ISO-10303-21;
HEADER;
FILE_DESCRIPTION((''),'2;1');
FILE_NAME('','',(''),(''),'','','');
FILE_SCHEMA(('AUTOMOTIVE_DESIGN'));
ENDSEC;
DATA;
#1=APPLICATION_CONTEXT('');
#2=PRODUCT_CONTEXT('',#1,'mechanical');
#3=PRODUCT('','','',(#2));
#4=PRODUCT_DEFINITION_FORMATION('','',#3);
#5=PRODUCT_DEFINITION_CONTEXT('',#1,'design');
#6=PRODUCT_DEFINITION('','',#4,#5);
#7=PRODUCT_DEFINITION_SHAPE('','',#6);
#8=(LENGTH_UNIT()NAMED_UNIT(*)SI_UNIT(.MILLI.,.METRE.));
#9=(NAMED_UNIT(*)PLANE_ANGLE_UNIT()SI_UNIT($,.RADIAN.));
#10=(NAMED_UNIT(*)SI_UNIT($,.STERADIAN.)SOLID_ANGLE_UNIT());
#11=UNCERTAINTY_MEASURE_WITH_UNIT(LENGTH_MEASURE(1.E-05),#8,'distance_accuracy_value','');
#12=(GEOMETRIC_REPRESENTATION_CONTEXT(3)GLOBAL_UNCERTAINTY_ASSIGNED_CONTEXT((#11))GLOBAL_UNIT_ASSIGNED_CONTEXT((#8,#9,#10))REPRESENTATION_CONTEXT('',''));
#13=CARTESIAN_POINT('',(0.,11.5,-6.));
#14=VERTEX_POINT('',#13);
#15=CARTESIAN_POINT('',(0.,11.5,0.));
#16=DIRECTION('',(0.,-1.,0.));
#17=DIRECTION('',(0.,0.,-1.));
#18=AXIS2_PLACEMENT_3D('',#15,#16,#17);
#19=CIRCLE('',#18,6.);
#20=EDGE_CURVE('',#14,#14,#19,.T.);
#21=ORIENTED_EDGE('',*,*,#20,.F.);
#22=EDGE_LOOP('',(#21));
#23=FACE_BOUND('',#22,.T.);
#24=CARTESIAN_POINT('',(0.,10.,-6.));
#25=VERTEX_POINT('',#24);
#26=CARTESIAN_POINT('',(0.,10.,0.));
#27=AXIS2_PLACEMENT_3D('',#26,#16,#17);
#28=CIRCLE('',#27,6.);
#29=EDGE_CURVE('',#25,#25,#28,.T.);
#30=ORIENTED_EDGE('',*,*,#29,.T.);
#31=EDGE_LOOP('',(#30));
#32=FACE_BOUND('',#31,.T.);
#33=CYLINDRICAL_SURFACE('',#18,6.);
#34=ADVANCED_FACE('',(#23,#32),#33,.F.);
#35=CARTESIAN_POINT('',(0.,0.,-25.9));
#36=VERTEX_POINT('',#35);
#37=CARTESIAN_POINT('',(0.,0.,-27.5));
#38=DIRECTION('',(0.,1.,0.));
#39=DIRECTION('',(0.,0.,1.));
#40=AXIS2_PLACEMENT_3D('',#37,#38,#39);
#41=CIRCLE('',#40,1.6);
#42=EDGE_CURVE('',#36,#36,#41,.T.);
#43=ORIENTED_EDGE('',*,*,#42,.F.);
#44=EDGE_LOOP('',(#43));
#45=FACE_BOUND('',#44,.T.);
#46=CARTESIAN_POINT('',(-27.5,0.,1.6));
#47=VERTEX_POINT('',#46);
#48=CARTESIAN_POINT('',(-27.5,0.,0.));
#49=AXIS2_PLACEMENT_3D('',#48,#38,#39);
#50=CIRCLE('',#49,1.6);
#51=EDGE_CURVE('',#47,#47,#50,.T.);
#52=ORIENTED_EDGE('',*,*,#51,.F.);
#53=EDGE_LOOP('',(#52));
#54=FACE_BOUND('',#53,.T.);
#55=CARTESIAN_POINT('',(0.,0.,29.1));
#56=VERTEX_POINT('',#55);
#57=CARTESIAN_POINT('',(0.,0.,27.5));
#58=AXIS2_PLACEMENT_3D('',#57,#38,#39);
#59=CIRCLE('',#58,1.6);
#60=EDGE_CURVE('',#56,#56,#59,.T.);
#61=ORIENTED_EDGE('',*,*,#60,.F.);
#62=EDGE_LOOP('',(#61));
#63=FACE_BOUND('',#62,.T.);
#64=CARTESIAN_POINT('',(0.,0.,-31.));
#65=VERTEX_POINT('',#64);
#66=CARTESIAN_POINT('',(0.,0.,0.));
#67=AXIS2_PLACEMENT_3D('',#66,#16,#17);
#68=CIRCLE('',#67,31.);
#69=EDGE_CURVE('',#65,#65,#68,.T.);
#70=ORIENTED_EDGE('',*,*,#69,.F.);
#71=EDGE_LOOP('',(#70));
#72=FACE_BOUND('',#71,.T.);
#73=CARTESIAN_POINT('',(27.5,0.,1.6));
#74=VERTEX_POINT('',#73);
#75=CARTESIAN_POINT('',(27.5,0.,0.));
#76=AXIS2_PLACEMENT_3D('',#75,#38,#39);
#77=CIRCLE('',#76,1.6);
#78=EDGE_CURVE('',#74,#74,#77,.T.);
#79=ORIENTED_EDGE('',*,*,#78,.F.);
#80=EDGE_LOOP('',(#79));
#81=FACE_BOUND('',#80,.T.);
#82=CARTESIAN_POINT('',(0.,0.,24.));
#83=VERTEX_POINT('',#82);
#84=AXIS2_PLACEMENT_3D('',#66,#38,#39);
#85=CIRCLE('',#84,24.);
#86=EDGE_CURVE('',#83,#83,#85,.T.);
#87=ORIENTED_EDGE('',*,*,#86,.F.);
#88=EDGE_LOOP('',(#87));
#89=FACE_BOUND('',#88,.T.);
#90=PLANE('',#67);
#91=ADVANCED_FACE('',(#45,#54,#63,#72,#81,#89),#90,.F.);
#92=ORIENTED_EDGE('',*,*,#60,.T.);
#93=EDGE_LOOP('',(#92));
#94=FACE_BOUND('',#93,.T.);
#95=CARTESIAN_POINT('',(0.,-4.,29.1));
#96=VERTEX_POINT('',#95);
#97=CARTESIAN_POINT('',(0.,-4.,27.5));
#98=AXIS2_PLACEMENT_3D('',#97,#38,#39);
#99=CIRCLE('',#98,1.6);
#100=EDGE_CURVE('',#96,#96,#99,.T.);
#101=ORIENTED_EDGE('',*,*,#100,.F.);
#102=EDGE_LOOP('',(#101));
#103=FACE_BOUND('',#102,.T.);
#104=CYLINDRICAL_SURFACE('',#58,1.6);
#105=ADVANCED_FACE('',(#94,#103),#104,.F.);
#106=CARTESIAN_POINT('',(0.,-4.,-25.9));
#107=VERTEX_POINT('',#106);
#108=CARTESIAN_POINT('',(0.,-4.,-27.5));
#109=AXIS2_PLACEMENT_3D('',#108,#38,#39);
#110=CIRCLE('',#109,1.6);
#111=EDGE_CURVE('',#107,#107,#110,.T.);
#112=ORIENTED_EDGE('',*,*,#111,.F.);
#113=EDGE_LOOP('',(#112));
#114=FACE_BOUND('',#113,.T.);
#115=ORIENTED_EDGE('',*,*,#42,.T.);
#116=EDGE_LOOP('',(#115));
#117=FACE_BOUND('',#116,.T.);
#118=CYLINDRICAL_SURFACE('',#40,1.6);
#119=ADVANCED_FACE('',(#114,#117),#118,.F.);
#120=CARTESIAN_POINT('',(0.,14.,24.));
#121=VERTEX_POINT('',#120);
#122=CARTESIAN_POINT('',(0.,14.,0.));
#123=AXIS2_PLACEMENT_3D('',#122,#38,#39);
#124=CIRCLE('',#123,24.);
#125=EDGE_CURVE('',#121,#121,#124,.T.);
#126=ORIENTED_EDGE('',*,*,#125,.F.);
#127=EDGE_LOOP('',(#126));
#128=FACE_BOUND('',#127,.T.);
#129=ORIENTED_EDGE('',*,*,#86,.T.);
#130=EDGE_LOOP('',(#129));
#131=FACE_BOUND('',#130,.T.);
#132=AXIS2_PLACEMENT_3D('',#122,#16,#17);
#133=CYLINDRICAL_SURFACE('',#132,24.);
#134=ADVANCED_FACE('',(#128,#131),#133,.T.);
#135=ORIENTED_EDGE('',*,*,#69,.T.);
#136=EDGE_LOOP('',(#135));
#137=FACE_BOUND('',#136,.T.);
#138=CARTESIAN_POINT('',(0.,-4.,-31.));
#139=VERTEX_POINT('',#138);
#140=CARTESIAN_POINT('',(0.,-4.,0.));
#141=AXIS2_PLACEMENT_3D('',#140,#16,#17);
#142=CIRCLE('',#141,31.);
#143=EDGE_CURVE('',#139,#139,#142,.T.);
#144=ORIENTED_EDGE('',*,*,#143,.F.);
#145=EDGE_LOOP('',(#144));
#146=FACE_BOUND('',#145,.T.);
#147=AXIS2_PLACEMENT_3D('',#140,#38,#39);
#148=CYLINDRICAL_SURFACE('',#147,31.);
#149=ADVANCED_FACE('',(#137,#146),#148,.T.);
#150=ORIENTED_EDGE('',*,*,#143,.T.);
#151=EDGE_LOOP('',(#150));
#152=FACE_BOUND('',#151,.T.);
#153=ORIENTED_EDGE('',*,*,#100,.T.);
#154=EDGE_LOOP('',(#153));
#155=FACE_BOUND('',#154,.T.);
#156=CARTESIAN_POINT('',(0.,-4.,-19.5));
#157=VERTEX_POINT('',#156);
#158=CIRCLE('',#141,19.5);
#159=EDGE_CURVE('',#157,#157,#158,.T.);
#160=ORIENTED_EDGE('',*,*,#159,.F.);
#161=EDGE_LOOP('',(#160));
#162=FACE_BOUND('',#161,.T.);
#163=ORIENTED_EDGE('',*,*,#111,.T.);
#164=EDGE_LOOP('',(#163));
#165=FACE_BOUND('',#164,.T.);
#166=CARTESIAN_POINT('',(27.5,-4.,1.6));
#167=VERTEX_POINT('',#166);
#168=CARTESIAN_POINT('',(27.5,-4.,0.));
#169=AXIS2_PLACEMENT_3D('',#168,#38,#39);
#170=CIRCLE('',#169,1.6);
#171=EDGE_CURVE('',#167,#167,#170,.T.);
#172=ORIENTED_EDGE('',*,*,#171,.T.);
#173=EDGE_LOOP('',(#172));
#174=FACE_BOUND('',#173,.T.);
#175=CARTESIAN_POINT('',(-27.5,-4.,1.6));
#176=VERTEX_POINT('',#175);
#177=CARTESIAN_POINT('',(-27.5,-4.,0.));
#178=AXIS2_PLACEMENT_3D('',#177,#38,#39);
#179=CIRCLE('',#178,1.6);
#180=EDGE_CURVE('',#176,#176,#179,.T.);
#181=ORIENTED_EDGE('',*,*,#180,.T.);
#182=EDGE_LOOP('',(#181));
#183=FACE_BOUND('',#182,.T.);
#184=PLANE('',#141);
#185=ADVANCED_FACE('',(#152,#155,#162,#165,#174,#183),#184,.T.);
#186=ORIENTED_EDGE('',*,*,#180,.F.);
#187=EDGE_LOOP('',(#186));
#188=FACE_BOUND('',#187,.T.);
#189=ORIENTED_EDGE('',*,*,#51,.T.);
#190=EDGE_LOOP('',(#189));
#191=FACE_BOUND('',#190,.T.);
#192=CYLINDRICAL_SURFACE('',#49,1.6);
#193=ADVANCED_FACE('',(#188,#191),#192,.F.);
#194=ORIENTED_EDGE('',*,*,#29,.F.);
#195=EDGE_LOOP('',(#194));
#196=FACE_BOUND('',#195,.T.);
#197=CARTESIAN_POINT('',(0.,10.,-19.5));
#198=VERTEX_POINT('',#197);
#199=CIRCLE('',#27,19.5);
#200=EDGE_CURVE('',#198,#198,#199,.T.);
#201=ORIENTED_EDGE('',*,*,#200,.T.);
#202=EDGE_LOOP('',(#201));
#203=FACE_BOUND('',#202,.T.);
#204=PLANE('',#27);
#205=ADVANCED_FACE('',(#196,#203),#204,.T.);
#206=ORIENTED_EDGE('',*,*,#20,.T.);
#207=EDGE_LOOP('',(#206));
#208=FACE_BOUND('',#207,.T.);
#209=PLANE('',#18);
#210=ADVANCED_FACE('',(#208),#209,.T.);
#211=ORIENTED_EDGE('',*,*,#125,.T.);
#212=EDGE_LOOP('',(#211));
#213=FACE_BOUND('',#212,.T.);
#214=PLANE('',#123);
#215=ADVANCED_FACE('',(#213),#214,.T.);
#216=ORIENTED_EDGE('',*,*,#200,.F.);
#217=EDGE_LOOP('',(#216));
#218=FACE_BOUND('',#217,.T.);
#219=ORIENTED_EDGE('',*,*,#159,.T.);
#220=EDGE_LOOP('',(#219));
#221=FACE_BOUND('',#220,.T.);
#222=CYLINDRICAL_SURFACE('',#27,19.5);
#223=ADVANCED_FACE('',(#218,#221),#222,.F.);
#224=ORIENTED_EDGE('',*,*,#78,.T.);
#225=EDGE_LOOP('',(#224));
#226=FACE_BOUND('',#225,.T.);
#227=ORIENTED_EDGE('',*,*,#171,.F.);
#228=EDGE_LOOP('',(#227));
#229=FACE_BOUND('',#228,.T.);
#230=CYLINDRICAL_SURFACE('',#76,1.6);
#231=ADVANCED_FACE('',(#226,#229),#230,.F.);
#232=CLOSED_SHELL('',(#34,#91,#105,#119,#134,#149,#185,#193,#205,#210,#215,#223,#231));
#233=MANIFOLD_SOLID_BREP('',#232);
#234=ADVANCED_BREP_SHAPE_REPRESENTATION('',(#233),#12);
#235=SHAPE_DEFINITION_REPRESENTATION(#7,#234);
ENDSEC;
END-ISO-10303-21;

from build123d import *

# Parameters (mm, degrees)
SKETCH1_R                  = 24
BOSS_EXTRUDE1_DEPTH        = 14
SKETCH2_R                  = 19.5
CUT_EXTRUDE1_DEPTH         = 10
SKETCH3_R                  = 6
CUT_EXTRUDE2_DEPTH         = 1.5
SKETCH4_R                  = 31
BOSS_EXTRUDE2_DEPTH        = 4
SKETCH5_R                  = 19.5
CUT_EXTRUDE3_DEPTH         = 4
F_3_2_3_2_DIAMETER_HOLE1_D = 3.2


with BuildPart() as part:
    # Sketch1 → Boss-Extrude1 (new body)
    with BuildSketch(Plane(origin=(0, 0, 0), x_dir=(1, 0, 0), z_dir=(0, 1, 0))):
        with Locations(Location((0, 0, 0), (0, 0, 270))):
            Circle(SKETCH1_R)
    extrude(amount=BOSS_EXTRUDE1_DEPTH)

    # Sketch2 → Cut-Extrude1 (cut)
    with BuildSketch(Plane.XZ):
        with Locations(Location((0, 0, 0), (0, 0, 270))):
            Circle(SKETCH2_R)
    extrude(amount=-CUT_EXTRUDE1_DEPTH, mode=Mode.SUBTRACT)

    # Sketch3 → Cut-Extrude2 (cut)
    with BuildSketch(Plane.XZ.offset(-10)):
        with Locations(Location((0, 0, 0), (0, 0, 270))):
            Circle(SKETCH3_R)
    extrude(amount=-CUT_EXTRUDE2_DEPTH, mode=Mode.SUBTRACT)

    # Sketch4 → Boss-Extrude2 (add)
    with BuildSketch(Plane.XZ):
        with Locations(Location((0, 0, 0), (0, 0, 270))):
            Circle(SKETCH4_R)
    extrude(amount=BOSS_EXTRUDE2_DEPTH)

    # Sketch5 → Cut-Extrude3 (cut)
    with BuildSketch(Plane.XZ.offset(4)):
        with Locations(Location((0, 0, 0), (0, 0, 270))):
            Circle(SKETCH5_R)
    extrude(amount=-CUT_EXTRUDE3_DEPTH, mode=Mode.SUBTRACT)

    # Ø3.2 (3.2) Diameter Hole1 (through all)
    with Locations(Plane(origin=(0, 0, 0), x_dir=(1, 0, 0), z_dir=(0, 1, 0))):
        with Locations((-27.5, 0), (0, 27.5), (27.5, 0), (0, -27.5)):
            Hole(F_3_2_3_2_DIAMETER_HOLE1_D / 2)


solid = part.part
